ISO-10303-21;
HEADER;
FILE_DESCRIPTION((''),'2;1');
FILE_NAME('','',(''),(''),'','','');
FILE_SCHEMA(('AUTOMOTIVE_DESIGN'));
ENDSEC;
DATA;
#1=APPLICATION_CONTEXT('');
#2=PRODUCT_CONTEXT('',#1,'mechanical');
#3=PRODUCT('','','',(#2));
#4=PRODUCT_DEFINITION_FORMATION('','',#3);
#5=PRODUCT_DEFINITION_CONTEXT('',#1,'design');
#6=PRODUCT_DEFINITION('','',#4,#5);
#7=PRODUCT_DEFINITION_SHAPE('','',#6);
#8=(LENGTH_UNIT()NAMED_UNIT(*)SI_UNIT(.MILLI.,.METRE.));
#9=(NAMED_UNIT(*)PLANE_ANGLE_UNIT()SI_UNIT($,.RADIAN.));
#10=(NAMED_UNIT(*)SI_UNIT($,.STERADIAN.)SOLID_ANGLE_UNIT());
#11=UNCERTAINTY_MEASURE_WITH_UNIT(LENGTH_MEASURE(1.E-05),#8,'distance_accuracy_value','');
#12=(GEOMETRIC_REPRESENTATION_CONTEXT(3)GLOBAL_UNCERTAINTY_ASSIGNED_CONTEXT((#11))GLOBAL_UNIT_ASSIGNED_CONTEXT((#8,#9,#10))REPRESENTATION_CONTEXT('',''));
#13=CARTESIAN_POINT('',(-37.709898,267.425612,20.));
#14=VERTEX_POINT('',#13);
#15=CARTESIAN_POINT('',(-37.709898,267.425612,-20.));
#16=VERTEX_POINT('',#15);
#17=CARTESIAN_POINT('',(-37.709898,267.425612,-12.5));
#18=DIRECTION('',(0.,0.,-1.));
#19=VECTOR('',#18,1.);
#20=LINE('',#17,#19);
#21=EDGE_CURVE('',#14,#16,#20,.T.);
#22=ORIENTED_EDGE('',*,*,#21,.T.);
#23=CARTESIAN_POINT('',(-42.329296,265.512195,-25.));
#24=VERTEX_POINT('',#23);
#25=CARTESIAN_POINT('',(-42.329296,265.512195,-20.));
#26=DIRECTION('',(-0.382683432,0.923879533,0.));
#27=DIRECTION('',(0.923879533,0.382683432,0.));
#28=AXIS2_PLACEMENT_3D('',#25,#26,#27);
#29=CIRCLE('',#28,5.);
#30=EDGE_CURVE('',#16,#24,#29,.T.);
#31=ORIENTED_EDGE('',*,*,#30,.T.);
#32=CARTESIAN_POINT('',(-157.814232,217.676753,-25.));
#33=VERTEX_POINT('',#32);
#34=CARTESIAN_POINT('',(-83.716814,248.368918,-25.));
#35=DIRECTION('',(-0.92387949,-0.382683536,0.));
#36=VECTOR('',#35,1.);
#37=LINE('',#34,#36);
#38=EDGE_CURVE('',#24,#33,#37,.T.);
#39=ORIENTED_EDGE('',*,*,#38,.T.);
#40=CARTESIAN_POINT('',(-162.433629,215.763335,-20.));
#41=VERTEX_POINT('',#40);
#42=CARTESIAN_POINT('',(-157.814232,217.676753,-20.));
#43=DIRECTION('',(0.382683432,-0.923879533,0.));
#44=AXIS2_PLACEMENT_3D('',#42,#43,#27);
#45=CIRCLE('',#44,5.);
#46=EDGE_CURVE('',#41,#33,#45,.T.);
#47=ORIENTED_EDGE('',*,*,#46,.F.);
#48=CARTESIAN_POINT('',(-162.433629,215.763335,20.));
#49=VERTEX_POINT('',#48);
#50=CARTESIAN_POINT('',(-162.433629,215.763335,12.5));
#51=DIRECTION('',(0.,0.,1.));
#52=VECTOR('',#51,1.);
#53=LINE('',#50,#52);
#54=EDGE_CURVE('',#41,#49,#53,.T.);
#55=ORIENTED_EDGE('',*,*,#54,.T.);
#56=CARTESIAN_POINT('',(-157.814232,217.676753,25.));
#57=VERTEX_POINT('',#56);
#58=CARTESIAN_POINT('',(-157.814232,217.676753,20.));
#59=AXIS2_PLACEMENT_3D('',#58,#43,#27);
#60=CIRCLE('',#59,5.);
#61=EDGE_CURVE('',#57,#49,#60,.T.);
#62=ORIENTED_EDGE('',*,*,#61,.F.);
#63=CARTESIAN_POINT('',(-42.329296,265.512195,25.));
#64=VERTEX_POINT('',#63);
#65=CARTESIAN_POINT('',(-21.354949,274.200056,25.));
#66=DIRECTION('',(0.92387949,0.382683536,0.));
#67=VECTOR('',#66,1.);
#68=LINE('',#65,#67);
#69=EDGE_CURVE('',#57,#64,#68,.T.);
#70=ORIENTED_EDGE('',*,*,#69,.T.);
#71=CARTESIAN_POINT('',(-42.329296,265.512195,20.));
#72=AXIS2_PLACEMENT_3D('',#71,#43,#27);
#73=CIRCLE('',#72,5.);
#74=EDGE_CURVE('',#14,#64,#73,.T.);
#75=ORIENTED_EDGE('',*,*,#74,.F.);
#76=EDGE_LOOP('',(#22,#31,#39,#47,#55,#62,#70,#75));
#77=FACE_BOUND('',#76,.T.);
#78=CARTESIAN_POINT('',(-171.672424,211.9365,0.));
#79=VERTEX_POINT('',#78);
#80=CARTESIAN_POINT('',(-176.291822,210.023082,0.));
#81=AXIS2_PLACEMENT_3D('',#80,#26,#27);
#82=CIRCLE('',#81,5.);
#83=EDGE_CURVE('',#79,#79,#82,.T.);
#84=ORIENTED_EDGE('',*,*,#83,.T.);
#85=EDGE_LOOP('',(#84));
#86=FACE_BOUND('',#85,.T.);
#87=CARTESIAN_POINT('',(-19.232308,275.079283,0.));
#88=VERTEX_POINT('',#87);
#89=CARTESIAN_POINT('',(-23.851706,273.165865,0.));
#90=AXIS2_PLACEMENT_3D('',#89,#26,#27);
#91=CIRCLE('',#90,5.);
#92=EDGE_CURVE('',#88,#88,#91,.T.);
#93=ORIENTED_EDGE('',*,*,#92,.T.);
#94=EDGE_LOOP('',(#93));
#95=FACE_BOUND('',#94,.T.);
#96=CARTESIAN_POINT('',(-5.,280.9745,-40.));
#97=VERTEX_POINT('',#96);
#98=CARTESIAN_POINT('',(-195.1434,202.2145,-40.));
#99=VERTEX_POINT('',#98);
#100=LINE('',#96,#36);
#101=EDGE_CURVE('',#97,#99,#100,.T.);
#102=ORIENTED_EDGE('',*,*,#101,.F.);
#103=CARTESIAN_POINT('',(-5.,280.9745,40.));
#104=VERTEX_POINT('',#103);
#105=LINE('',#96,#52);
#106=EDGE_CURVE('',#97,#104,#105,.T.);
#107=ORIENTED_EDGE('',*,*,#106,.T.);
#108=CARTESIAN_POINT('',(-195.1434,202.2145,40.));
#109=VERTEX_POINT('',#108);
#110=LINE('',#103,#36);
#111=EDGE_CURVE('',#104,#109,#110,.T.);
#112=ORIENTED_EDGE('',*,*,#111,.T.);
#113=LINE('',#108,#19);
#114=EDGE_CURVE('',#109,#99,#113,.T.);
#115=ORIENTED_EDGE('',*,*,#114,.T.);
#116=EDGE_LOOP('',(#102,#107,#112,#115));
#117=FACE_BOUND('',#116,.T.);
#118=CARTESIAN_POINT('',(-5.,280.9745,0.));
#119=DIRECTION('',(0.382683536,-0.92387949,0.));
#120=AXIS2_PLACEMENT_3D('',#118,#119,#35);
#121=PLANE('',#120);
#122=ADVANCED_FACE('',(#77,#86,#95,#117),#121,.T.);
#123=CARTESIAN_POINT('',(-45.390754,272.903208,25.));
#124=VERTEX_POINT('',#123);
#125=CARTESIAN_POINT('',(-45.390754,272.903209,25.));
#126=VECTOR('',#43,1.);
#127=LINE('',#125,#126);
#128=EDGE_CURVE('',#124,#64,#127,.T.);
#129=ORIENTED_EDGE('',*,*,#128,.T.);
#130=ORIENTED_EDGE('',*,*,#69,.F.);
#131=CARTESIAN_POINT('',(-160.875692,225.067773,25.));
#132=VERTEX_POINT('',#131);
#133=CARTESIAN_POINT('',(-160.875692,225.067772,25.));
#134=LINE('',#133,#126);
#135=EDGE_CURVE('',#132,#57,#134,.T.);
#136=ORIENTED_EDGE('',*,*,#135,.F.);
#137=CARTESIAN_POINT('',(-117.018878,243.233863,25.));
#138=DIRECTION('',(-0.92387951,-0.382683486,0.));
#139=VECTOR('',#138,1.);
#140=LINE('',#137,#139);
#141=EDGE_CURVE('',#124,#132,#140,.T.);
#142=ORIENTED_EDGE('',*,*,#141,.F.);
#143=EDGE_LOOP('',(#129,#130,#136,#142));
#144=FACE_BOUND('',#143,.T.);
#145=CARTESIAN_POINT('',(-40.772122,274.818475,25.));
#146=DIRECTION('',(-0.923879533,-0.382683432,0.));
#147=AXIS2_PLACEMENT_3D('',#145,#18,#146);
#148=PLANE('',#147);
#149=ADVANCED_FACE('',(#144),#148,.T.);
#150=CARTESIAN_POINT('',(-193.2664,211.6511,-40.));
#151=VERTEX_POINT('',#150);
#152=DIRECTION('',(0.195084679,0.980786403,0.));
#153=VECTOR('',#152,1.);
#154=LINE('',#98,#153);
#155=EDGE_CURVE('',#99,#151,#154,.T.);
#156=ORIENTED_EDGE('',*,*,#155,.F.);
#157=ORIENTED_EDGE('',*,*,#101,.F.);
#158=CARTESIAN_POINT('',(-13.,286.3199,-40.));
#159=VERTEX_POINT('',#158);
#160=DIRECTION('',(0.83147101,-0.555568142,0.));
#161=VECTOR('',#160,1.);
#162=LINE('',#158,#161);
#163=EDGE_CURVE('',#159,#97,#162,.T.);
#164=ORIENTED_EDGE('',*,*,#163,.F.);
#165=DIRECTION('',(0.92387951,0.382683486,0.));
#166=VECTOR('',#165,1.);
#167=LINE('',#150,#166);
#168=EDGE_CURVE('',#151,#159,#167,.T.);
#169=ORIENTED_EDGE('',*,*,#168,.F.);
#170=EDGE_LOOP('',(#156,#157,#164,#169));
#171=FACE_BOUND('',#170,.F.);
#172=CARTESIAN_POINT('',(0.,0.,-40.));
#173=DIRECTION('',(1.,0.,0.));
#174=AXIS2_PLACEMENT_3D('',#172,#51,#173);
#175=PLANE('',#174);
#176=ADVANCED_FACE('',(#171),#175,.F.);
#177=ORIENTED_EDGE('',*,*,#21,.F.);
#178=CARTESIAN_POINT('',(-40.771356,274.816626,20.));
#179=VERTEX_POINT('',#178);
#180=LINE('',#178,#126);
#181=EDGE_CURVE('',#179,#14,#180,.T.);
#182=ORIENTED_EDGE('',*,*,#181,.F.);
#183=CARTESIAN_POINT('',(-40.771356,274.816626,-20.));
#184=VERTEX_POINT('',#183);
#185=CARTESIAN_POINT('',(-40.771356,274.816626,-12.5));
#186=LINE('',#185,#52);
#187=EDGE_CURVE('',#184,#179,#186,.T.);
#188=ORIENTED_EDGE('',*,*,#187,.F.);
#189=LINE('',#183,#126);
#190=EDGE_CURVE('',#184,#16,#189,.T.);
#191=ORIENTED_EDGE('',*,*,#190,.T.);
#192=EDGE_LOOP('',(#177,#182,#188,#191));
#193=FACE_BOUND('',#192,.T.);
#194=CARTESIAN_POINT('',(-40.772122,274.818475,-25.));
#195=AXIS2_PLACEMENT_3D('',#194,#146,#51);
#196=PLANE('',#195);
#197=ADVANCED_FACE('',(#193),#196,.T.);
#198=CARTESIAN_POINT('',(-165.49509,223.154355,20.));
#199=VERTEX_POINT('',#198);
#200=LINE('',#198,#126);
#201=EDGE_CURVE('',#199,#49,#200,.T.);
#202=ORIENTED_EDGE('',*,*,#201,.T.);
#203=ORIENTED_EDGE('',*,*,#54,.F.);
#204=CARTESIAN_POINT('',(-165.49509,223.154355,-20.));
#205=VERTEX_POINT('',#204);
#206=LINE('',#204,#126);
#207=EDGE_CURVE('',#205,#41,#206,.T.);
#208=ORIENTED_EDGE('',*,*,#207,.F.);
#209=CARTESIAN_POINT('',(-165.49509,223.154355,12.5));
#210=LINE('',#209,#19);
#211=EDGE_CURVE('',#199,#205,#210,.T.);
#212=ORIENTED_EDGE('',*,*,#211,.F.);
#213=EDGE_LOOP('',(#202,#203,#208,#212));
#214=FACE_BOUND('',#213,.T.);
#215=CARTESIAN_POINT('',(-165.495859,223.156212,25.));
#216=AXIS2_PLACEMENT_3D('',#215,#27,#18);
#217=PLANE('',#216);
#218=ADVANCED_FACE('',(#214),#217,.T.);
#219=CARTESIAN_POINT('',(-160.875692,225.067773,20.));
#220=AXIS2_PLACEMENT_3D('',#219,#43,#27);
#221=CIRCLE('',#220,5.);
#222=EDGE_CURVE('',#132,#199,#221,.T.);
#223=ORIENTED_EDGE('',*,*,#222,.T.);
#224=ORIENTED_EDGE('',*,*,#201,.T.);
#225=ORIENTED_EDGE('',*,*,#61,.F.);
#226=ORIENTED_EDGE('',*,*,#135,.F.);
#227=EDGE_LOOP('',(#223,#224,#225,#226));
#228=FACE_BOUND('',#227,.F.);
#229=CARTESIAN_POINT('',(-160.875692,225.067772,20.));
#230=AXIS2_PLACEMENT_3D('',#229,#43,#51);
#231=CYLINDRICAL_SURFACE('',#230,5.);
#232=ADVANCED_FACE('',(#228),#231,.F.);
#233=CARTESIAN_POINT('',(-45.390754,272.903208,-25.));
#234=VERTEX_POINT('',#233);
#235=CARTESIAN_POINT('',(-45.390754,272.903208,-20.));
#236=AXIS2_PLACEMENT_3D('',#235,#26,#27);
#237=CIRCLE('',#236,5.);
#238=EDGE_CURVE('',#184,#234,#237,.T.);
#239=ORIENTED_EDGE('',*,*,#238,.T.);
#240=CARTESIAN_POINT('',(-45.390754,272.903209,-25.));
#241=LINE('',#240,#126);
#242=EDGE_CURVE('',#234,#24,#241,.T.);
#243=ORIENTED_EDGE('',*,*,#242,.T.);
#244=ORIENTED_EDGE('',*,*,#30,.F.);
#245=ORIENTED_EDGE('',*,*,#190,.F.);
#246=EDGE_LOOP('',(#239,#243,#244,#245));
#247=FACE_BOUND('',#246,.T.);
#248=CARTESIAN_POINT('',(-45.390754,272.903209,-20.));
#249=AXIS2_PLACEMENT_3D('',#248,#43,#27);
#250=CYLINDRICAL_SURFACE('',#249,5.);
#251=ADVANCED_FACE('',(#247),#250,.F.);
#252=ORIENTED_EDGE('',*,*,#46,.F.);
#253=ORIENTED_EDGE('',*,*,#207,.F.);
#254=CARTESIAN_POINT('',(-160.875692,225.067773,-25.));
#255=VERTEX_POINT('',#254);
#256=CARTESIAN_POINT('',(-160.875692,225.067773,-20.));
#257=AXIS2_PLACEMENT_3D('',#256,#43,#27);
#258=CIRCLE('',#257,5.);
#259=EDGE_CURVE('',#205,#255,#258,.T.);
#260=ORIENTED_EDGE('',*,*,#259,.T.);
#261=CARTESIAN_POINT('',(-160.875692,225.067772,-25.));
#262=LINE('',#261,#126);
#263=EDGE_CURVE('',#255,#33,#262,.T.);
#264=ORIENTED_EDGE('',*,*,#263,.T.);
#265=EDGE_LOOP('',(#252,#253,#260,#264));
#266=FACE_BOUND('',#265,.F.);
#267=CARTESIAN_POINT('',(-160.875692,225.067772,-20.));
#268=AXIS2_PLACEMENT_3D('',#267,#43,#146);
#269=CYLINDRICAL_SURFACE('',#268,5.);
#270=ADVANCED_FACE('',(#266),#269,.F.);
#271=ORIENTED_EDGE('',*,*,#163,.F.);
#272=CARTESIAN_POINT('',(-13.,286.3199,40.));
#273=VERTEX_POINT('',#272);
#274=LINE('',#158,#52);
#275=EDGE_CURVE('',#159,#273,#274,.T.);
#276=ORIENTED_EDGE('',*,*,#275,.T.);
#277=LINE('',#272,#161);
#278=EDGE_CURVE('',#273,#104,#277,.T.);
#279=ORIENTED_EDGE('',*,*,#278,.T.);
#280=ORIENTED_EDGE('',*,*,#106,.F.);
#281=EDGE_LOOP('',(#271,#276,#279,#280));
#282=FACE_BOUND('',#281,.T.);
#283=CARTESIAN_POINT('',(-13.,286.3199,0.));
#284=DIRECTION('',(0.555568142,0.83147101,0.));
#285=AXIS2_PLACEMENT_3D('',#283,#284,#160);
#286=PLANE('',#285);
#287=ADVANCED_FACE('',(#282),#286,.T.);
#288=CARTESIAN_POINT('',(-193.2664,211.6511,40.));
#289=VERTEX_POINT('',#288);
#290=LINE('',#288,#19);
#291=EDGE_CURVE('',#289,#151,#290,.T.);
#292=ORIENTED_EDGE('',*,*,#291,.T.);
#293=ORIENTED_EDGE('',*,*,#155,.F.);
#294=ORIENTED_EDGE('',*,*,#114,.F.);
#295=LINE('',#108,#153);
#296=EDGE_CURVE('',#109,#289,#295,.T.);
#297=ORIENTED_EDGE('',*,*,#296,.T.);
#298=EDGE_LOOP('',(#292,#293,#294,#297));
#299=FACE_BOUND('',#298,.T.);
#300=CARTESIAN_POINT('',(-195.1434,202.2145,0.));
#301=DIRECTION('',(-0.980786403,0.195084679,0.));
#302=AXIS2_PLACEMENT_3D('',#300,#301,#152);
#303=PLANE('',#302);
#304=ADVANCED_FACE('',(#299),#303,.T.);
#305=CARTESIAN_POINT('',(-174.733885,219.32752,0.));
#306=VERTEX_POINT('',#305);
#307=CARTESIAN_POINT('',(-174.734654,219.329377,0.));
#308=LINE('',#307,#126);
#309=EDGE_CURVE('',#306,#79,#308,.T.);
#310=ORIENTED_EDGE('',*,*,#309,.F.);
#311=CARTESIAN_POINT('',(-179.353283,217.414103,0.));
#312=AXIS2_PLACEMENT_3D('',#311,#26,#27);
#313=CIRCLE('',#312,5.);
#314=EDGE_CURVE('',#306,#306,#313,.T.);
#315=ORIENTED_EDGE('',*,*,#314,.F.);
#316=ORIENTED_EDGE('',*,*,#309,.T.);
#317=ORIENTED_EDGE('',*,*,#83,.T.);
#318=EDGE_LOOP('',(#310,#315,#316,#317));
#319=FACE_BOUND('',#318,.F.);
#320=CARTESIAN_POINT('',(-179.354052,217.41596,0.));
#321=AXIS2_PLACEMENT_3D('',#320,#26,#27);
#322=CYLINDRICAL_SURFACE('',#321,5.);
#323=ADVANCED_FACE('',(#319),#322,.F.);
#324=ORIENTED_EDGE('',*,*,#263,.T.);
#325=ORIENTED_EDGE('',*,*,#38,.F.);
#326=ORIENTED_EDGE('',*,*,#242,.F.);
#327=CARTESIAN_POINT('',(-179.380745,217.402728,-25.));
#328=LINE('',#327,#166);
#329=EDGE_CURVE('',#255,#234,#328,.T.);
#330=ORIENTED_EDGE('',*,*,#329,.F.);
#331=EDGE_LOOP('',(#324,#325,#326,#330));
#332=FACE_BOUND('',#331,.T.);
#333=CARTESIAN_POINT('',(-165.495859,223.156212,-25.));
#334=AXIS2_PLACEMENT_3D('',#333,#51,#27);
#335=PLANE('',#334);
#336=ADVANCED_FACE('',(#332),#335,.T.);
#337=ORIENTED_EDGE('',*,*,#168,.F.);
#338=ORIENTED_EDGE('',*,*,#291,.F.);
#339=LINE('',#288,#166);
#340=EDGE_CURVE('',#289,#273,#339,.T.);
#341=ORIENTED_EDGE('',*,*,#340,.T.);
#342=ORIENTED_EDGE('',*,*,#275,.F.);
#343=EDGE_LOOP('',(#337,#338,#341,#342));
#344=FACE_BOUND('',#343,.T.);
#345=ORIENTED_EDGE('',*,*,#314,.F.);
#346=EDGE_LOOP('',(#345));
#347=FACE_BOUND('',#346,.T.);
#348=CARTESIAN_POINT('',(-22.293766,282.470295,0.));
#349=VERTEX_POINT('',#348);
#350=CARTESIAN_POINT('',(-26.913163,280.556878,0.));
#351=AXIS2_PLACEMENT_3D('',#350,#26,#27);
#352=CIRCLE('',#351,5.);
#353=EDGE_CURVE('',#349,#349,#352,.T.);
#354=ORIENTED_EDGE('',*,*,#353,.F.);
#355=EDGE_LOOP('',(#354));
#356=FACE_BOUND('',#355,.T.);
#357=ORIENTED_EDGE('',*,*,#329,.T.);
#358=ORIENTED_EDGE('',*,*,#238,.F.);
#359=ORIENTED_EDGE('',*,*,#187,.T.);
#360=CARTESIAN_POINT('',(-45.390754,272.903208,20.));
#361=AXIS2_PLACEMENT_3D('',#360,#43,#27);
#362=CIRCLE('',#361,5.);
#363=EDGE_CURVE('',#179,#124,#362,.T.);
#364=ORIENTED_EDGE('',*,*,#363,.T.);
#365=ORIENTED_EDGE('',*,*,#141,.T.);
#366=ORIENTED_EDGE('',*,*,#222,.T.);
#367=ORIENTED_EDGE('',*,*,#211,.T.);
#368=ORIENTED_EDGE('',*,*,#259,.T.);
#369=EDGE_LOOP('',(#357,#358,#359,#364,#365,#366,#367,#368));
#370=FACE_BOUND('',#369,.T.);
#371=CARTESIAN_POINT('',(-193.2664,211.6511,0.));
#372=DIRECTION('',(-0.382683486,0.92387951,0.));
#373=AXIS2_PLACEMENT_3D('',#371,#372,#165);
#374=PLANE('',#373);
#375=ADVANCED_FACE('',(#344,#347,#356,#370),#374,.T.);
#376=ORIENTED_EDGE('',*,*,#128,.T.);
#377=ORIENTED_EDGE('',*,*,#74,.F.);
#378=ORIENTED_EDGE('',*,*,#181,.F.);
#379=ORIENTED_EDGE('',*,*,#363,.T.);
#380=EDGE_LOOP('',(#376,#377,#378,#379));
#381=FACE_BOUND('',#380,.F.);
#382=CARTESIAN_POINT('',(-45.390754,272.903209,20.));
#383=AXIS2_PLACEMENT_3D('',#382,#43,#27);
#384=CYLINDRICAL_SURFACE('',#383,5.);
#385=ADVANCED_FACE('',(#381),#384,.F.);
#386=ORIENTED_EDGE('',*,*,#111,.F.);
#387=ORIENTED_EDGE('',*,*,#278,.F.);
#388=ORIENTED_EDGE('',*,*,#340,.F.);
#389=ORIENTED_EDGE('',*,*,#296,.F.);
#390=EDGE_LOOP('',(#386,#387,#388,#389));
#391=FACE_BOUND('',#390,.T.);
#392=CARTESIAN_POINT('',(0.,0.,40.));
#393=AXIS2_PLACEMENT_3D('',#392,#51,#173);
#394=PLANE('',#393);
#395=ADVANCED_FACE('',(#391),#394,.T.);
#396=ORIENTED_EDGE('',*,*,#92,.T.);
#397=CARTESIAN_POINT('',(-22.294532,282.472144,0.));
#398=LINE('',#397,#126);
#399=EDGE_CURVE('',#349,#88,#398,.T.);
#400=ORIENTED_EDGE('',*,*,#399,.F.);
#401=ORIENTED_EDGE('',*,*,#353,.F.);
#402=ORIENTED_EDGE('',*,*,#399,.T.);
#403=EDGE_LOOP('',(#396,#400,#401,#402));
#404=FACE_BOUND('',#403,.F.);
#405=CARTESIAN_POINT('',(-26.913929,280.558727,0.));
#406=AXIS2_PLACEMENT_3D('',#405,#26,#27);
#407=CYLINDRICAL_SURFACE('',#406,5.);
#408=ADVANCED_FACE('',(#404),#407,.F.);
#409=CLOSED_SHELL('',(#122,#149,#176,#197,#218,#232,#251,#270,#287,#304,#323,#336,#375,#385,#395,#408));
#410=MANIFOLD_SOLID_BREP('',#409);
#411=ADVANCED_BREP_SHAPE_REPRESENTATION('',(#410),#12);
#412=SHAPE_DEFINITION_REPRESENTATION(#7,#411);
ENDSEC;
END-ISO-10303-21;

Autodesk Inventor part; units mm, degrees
ref_plane "YZ Plane" through (0, 0, 0) normal (1, 0, 0) x (0, 1, 0)
ref_plane "XZ Plane" through (0, 0, 0) normal (0, 1, 0) x (-1, 0, 0)
ref_plane "XY Plane" through (0, 0, 0) normal (0, 0, 1) x (1, 0, 0)
sketch "Sketch2" plane through (0, 0, 0) normal (0, 0, 1) x (1, 0, 0)
  line L0 (0, 277.6336) -> (196.3166, 196.3166) construction
  line L1 (196.3166, 196.3166) -> (277.6336, 0) construction
  line L2 (277.6336, 0) -> (196.3166, -196.3166) construction
  line L3 (196.3166, -196.3166) -> (0, -277.6336) construction
  line L4 (0, -277.6336) -> (-196.3166, -196.3166) construction
  line L5 (-196.3166, -196.3166) -> (-277.6336, 0) construction
  line L6 (-277.6336, 0) -> (-196.3166, 196.3166) construction
  line L7 (-196.3166, 196.3166) -> (0, 277.6336) construction
  line L8 (-196.3166, 196.3166) -> (0, 277.6336) construction
  line L9 (-461.2666, 773.8898) -> (-221.0579, 873.3874) construction
  line L10 (-98.1583, 236.9751) -> (-341.1623, 823.6386) construction
  line L11 (-221.0579, 873.3874) -> (0, 873.3874) construction
  line L12 (0, 873.3874) -> (0, 277.6336) construction
  line L13 (-461.2666, 773.8898) -> (-617.5782, 617.5782) construction
  line L14 (-617.5782, 617.5782) -> (-196.3166, 196.3166) construction
  line L15 (-5, 280.9745) -> (-195.1434, 202.2145) construction
  line L16 (-195.1434, 202.2145) -> (-610.5071, 617.5782) construction
  line L17 (-610.5071, 617.5782) -> (-458.4343, 769.651) construction
  line L18 (-458.4343, 769.651) -> (-220.0634, 868.3874) construction
  line L19 (-220.0634, 868.3874) -> (-5, 868.3874) construction
  line L20 (-5, 868.3874) -> (-5, 280.9745) construction
  line L21 (-13, 286.3199) -> (-193.2664, 211.6511) construction
  line L22 (-193.2664, 211.6511) -> (-599.1934, 617.5782) construction
  line L23 (-599.1934, 617.5782) -> (-453.9027, 762.8689) construction
  line L24 (-453.9027, 762.8689) -> (-218.4721, 860.3874) construction
  line L25 (-218.4721, 860.3874) -> (-13, 860.3874) construction
  line L26 (-13, 860.3874) -> (-13, 286.3199) construction
  line L27 (-5, 280.9745) -> (-195.1434, 202.2145)
  line L28 (-195.1434, 202.2145) -> (-193.2664, 211.6511)
  line L29 (-193.2664, 211.6511) -> (-13, 286.3199)
  line L30 (-13, 286.3199) -> (-5, 280.9745)
  point P0 (0, 0)
  point P1 (0, 0)
  point P2 (0, 0)
  dimension "d0" = 513
  dimension "d1" = 260
  dimension "d2" = 635
  dimension "d6" = 5
  dimension "d7" = 8
extrude "Extrusion1" add sketch "Sketch2" along normal mid plane 80
sketch "Sketch3" plane through (-13, 286.3199, -40) normal (-0.3827, 0.9239, 0) x (0.9239, 0.3827, 0)
  line L0 (-165.0595, -15) -> (-30.0595, -15)
  line L1 (-30.0595, -15) -> (-30.0595, -65)
  line L2 (-30.0595, -65) -> (-165.0595, -65)
  line L3 (-165.0595, -65) -> (-165.0595, -15)
  circle A0 centre (-15.0595, -40) radius 5
  circle A1 centre (-180.0595, -40) radius 5
  line L4 (0, -80) -> (-195.1189, -80) projected
  line L5 (-97.5595, -40) -> (-97.5595, -80) construction
  line L6 (5.3454, 0) -> (5.3454, -80) construction
  point P0 (-97.5595, -15)
  point P1 (-165.0595, -40)
  point P2 (-30.0595, -40)
  point P3 (5.3454, -40)
  dimension "d10" = 135
  dimension "d11" = 10
  dimension "d12" = 15
  dimension "d13" = 50
extrude "Extrusion2" cut sketch "Sketch3" against normal up to surface (8 mm away)
fillet "Fillet1" radius 5 4 edges at (-163.9643, 219.4589, -25) (-39.2406, 271.1211, -25) (-39.2406, 271.1211, 25) (-163.9643, 219.4589, 25)
equation "\"d0\" = Барабан_габарит_по_кассетам"
equation "\"d1\" = Кассета_длина_грани"
equation "\"d2\" = Кассета_высота"
equation "\"d10\" = Барабан_Длина_окна"
equation "\"d11\" = Кассета_Диам_шпильки"
equation "\"d13\" = Барабан_Ширина_окна"
equation "\"Барабан_габарит_по_кассетам\" = 513"
equation "\"Кассета_длина_грани\" = 260"
equation "\"Кассета_высота\" = 635"
equation "\"Барабан_Длина_окна\" = 135"
equation "\"Кассета_Диам_шпильки\" = 10"
equation "\"Барабан_Ширина_окна\" = 50"
properties part number "ДМФ 01 54 Нижний лист"
